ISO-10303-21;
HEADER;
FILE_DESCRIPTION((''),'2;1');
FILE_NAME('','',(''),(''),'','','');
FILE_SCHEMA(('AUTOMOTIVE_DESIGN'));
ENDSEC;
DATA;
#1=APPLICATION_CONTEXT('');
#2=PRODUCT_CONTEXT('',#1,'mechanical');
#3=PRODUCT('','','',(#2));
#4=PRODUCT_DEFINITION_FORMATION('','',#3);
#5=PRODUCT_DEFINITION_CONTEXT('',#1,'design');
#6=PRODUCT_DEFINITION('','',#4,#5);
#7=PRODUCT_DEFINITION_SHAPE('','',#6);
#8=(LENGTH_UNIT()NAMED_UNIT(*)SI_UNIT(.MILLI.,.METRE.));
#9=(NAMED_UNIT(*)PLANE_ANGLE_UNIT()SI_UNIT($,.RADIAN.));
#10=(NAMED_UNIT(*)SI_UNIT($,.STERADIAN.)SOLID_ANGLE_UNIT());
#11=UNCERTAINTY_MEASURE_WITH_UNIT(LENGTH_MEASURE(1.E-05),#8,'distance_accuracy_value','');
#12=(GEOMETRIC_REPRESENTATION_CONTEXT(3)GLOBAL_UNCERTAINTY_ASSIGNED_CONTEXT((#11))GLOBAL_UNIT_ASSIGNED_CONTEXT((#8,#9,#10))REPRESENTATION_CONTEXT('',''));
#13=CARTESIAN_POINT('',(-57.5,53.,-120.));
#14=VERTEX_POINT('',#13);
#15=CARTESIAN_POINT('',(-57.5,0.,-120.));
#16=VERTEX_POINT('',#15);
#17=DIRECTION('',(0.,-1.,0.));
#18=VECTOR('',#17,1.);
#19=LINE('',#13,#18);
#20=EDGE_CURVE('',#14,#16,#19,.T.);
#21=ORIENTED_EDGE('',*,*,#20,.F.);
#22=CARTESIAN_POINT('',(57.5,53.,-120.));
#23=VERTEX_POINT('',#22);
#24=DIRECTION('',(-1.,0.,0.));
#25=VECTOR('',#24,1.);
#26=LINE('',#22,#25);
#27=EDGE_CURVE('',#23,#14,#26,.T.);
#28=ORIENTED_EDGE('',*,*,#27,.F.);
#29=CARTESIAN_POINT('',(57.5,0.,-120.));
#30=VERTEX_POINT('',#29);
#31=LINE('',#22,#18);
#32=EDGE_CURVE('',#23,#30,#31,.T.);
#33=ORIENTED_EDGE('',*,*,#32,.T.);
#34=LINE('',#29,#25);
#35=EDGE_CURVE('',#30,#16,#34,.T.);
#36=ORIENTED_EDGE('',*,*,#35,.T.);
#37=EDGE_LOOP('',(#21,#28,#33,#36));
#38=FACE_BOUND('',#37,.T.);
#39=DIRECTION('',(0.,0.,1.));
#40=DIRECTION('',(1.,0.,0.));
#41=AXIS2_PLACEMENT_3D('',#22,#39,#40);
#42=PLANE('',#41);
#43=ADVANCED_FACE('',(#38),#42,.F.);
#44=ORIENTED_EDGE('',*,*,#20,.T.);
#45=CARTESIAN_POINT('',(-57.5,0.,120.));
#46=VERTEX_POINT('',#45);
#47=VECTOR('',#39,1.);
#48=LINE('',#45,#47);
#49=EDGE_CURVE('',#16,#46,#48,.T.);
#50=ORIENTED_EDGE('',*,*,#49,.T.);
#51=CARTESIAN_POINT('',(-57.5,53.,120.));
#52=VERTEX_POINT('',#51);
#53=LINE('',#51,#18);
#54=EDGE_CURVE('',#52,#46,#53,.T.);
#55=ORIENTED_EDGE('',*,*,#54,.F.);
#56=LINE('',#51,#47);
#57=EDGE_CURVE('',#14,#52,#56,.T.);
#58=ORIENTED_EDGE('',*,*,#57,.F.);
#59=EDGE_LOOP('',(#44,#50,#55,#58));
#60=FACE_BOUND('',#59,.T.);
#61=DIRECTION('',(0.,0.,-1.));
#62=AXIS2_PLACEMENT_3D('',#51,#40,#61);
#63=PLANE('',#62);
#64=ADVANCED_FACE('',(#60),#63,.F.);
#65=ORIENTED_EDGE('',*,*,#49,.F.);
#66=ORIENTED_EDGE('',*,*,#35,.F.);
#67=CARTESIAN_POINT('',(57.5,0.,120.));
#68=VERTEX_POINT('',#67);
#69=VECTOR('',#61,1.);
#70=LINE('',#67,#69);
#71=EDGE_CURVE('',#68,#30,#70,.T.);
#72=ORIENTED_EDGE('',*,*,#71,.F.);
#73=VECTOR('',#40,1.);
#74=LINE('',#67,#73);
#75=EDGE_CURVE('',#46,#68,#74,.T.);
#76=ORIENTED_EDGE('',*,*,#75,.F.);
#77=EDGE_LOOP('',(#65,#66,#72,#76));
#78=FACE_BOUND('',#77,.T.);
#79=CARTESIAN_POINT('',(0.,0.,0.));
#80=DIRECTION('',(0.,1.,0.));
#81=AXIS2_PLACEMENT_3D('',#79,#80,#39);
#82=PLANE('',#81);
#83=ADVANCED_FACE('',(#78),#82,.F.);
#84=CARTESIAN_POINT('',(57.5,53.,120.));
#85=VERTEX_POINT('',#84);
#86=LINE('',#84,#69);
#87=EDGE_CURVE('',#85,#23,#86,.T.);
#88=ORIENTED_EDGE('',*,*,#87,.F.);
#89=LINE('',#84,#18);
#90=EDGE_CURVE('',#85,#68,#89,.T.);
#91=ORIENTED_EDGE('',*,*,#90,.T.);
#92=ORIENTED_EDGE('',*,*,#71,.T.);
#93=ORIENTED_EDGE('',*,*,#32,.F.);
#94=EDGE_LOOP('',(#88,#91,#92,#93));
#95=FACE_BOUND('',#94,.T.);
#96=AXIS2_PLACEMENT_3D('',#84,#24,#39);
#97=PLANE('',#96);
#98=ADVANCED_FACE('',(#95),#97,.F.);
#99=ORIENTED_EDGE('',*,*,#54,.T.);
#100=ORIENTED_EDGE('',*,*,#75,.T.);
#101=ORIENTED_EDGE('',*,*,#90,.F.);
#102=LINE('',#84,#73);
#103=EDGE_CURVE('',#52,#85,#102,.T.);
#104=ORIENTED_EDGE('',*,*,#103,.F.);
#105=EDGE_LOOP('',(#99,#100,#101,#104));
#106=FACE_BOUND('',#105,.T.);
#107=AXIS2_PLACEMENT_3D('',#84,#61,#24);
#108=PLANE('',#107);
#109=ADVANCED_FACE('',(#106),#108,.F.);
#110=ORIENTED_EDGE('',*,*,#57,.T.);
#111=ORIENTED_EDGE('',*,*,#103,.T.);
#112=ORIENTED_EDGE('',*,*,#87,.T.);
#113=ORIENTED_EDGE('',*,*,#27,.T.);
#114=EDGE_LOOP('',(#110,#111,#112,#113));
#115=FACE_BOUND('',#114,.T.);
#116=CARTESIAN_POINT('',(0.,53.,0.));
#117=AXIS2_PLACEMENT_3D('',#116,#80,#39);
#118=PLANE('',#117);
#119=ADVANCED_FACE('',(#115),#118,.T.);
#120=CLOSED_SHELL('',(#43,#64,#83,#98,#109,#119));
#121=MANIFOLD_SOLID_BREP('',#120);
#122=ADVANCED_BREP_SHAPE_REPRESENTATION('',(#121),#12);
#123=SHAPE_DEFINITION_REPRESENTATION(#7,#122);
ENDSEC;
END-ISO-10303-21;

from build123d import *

# Parameters (mm, degrees)
SKETCH_1_W      = 115
SKETCH_1_H      = 240
EXTRUDE_1_DEPTH = 53


with BuildPart() as part:
    # 草图1 → 凸台-拉伸1 (new body)
    with BuildSketch(Plane(origin=(0, 0, 0), x_dir=(1, 0, 0), z_dir=(0, 1, 0))):
        Rectangle(SKETCH_1_W, SKETCH_1_H)
    extrude(amount=EXTRUDE_1_DEPTH)


solid = part.part
